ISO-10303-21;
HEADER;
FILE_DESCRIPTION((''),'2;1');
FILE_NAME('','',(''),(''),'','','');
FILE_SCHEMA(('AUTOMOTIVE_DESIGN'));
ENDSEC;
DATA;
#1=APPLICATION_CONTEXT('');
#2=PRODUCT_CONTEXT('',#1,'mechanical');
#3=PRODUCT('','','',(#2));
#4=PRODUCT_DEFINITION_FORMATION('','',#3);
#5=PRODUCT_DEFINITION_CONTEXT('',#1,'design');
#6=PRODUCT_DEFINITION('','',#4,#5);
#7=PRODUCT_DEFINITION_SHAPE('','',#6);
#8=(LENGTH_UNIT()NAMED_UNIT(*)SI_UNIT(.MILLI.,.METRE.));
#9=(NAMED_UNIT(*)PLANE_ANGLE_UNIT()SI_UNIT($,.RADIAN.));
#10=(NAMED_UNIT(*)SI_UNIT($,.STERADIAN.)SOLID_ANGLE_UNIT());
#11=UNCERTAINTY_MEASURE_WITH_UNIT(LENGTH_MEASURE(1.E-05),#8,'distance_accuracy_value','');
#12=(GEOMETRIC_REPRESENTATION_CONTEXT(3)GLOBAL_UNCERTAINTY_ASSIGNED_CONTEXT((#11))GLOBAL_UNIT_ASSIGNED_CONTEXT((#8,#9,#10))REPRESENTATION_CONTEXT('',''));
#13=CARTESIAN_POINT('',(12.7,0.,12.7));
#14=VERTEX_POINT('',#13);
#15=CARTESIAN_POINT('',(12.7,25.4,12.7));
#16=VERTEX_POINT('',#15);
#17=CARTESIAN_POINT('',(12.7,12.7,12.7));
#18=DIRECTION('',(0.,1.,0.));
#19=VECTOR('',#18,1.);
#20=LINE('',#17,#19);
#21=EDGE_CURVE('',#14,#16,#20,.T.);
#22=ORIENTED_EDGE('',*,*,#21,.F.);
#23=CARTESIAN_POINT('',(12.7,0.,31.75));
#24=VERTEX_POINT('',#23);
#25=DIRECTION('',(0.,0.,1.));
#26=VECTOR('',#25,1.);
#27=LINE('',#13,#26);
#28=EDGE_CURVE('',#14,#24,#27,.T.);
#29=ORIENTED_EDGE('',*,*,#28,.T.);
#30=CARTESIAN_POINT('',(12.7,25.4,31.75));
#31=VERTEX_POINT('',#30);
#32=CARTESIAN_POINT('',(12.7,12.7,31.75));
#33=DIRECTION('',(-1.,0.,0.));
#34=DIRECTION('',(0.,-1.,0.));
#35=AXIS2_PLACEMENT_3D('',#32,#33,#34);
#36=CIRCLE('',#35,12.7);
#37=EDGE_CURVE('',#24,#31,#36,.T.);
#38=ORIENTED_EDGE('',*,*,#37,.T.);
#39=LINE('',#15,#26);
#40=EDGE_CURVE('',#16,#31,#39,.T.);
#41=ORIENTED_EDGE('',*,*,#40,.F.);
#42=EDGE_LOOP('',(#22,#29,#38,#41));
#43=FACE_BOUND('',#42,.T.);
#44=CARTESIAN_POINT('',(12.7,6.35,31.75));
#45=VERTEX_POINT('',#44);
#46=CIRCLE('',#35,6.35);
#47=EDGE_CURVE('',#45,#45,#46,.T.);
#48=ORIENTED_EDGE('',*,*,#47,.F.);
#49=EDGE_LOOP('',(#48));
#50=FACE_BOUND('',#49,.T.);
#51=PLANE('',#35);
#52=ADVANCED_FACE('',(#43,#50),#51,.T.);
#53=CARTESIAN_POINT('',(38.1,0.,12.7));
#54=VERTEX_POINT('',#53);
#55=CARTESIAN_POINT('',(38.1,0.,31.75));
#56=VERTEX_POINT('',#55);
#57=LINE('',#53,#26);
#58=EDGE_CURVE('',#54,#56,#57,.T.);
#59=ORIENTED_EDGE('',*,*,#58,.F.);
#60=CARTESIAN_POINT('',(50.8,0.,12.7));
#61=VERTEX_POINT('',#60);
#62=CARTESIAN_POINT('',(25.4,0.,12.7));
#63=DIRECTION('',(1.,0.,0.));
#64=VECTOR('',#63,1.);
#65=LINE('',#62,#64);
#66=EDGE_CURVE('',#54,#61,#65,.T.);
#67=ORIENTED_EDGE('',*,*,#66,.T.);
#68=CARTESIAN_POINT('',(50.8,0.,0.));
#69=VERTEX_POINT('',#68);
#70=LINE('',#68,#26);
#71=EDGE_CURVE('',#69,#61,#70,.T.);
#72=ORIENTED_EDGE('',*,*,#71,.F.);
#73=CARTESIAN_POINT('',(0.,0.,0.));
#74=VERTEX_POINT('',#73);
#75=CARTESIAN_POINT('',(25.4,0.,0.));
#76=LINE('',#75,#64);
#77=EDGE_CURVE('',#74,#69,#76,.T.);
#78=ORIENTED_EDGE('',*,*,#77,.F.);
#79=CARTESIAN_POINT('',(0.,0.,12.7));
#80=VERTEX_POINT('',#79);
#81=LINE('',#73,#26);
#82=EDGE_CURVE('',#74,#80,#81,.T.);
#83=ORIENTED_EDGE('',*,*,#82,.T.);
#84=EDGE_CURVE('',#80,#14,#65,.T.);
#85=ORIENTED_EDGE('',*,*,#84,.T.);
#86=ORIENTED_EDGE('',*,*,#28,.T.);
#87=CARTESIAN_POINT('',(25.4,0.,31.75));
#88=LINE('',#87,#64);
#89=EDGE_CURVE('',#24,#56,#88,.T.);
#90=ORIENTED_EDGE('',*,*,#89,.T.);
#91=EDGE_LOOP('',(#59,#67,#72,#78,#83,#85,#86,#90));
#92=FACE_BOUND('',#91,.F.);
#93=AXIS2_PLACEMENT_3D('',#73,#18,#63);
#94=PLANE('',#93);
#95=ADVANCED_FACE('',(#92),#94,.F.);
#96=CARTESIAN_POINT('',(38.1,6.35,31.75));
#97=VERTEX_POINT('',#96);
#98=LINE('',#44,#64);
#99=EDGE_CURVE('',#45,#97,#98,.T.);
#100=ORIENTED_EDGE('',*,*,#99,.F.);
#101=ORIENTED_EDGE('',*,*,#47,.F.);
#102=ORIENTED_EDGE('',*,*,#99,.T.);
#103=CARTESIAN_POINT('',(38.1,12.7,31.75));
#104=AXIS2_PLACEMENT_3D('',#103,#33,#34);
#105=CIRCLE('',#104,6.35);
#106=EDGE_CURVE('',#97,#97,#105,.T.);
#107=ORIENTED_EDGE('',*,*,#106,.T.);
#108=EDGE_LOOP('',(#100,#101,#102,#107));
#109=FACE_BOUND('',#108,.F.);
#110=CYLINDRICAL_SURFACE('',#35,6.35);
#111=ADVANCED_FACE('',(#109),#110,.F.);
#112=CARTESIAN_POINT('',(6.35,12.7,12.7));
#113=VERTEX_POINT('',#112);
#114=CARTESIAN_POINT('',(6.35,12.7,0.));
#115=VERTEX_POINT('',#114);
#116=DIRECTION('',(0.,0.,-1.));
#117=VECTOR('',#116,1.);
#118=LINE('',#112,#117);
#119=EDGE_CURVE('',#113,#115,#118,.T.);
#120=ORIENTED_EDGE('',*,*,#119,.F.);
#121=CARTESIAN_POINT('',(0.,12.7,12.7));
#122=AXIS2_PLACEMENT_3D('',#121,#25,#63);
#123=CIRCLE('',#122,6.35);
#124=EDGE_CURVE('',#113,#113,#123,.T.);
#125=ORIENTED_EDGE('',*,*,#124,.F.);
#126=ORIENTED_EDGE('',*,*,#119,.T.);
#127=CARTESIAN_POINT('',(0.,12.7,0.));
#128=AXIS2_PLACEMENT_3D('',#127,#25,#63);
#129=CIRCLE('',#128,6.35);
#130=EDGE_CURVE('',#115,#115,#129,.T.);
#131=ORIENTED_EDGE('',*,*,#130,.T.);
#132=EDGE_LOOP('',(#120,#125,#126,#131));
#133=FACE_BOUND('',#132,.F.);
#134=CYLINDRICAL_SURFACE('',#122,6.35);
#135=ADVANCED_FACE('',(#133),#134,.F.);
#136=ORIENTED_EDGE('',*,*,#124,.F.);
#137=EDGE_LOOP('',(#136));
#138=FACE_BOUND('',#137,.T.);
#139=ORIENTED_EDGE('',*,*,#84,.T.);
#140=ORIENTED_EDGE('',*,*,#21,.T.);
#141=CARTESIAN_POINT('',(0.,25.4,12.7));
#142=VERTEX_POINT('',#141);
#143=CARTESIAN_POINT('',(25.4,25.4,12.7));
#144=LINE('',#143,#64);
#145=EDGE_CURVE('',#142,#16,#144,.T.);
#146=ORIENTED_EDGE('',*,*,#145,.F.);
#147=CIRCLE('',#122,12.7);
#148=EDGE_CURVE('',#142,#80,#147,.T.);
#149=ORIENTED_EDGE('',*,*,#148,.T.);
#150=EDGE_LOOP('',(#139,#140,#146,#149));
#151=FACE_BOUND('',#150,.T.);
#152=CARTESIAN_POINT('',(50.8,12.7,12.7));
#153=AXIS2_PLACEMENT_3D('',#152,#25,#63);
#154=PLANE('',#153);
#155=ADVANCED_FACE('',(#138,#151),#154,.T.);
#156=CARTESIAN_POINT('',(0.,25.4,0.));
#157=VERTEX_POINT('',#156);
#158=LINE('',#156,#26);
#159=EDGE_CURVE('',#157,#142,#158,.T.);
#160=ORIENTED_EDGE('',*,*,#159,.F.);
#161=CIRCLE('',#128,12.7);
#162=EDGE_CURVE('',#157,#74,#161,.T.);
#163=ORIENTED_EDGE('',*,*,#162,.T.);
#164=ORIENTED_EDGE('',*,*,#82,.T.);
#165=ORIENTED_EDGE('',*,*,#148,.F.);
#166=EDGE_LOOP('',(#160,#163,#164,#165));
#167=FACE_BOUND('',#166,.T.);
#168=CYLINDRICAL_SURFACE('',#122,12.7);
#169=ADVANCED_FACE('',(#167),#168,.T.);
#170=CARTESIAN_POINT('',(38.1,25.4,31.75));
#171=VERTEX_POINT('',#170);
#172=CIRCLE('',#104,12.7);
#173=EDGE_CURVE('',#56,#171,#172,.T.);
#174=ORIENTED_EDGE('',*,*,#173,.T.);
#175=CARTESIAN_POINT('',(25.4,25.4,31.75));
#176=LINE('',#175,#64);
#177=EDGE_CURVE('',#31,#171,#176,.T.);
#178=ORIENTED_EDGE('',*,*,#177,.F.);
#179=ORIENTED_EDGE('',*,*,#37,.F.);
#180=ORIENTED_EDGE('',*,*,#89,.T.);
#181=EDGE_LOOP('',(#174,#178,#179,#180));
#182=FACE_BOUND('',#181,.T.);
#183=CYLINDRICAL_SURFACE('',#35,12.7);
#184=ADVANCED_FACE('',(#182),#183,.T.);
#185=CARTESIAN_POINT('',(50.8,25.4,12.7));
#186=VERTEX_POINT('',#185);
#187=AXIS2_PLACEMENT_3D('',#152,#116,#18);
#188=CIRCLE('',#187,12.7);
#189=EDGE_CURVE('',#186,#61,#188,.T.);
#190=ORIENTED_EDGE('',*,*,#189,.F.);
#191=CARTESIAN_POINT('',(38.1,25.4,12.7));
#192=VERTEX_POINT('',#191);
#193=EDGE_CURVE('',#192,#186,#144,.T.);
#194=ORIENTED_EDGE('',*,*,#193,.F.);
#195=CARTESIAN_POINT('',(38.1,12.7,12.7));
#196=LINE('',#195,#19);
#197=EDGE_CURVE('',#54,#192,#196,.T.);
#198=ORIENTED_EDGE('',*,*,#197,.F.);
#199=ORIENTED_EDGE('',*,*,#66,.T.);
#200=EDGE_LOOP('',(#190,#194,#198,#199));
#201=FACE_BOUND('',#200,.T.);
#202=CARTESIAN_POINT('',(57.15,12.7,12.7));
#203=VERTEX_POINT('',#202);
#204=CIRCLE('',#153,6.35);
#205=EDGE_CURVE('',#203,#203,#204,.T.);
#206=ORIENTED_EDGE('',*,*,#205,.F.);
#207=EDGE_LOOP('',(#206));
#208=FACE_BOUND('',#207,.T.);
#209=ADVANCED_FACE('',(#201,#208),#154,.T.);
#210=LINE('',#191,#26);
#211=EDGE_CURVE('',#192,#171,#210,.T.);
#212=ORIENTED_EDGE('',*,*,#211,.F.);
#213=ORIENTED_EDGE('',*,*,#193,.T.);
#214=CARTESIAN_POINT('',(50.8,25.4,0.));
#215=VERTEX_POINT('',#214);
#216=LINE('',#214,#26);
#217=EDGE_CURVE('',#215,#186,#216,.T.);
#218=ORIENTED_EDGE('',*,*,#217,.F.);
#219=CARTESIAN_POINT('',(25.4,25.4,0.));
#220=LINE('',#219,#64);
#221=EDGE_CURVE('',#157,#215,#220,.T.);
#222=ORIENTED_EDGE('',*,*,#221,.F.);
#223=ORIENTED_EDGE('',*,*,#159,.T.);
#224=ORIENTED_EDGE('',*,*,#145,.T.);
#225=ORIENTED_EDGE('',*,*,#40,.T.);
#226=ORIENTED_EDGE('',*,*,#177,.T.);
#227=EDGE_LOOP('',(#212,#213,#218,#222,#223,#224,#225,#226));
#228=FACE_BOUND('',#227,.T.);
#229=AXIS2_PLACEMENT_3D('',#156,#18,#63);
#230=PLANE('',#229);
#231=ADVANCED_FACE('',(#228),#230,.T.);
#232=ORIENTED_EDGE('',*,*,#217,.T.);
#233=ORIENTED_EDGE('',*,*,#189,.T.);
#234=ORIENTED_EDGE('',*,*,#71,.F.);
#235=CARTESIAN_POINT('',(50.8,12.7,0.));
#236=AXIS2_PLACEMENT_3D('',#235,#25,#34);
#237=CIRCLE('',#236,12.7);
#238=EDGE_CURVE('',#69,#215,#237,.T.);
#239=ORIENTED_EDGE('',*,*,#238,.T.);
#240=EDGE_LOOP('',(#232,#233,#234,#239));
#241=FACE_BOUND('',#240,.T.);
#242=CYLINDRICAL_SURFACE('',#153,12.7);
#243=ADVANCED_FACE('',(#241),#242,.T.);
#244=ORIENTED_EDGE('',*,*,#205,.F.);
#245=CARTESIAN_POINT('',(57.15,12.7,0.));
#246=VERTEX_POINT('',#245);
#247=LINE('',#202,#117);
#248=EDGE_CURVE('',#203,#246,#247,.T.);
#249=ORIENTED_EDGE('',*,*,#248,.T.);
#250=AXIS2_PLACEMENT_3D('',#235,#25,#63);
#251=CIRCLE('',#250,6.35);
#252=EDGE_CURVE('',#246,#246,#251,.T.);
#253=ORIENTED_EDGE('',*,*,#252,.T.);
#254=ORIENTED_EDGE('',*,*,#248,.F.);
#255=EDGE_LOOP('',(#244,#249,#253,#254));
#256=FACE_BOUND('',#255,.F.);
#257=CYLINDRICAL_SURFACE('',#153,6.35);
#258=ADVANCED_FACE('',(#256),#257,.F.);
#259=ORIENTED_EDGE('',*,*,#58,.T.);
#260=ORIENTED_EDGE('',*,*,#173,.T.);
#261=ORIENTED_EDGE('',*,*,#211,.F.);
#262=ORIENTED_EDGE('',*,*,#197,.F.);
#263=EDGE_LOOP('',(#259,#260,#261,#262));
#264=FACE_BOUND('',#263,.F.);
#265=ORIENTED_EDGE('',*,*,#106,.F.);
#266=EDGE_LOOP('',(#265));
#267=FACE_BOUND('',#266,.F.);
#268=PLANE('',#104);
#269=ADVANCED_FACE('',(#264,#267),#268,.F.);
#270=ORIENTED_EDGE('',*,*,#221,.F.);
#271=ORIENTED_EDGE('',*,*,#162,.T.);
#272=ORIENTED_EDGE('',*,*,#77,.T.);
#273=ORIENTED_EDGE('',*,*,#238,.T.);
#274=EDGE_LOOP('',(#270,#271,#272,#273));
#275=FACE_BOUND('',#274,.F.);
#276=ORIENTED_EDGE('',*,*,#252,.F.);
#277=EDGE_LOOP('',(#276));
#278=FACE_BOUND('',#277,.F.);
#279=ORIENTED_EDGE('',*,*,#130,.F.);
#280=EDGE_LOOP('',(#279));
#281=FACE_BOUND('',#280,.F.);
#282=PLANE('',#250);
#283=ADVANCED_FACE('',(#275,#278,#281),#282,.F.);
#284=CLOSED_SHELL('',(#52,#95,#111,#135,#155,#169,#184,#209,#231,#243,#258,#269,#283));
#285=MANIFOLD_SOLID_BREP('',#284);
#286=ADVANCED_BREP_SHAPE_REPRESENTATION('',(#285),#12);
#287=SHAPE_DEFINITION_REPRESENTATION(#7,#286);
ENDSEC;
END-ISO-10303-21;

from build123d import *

# Parameters (mm, degrees)
F0_W      = 50.8
F0_H      = 25.4
F1_DEPTH  = 12.7
F2_R      = 12.7
F3_DEPTH  = 12.7
F4_R      = 12.7
F5_DEPTH  = 12.7
F6_W      = 25.4
F6_H      = 25.4
F7_DEPTH  = 19.05
F8_R      = 12.7
F9_DEPTH  = 25.4
F10_R     = 6.35
F11_DEPTH = 25.4
F12_R     = 6.35
F13_DEPTH = 12.7


with BuildPart() as f1:
    # F0 (on Top) → F1 (new body)
    with BuildSketch(Plane.XY):
        with Locations((25.4, 12.7)):
            Rectangle(F0_W, F0_H)
    extrude(amount=F1_DEPTH)

    # F2 (on face) → F3 (join)
    with BuildSketch(Plane.XY.offset(12.7)):
        with Locations((0, 12.7)):
            Circle(F2_R)
    extrude(amount=-F3_DEPTH)

    # F4 (on face) → F5 (join)
    with BuildSketch(Plane.XY.offset(12.7)):
        with Locations((50.8, 12.7)):
            Circle(F4_R)
    extrude(amount=-F5_DEPTH)

    # F6 (on face) → F7 (join)
    with BuildSketch(Plane.XY.offset(12.7)):
        with Locations((25.4, 12.7)):
            Rectangle(F6_W, F6_H)
    extrude(amount=F7_DEPTH)

    # F8 (on face) → F9 (join)
    with BuildSketch(Plane(origin=(12.7, 0, 0), x_dir=(0, -1, 0), z_dir=(-1, 0, 0))):
        with Locations((-12.7, 31.75)):
            Circle(F8_R)
    extrude(amount=-F9_DEPTH)

    # F10 (on face) → F11 (cut)
    with BuildSketch(Plane(origin=(12.7, 0, 0), x_dir=(0, -1, 0), z_dir=(-1, 0, 0))):
        with Locations((-12.7, 31.75)):
            Circle(F10_R)
    extrude(amount=-F11_DEPTH, mode=Mode.SUBTRACT)

    # F12 (on face) → F13 (cut)
    with BuildSketch(Plane.XY.offset(12.7)):
        with Locations((50.8, 12.7)):
            Circle(F12_R)
        with Locations((0, 12.7)):
            Circle(F12_R)
    extrude(amount=-F13_DEPTH, mode=Mode.SUBTRACT)


solid = f1.part
